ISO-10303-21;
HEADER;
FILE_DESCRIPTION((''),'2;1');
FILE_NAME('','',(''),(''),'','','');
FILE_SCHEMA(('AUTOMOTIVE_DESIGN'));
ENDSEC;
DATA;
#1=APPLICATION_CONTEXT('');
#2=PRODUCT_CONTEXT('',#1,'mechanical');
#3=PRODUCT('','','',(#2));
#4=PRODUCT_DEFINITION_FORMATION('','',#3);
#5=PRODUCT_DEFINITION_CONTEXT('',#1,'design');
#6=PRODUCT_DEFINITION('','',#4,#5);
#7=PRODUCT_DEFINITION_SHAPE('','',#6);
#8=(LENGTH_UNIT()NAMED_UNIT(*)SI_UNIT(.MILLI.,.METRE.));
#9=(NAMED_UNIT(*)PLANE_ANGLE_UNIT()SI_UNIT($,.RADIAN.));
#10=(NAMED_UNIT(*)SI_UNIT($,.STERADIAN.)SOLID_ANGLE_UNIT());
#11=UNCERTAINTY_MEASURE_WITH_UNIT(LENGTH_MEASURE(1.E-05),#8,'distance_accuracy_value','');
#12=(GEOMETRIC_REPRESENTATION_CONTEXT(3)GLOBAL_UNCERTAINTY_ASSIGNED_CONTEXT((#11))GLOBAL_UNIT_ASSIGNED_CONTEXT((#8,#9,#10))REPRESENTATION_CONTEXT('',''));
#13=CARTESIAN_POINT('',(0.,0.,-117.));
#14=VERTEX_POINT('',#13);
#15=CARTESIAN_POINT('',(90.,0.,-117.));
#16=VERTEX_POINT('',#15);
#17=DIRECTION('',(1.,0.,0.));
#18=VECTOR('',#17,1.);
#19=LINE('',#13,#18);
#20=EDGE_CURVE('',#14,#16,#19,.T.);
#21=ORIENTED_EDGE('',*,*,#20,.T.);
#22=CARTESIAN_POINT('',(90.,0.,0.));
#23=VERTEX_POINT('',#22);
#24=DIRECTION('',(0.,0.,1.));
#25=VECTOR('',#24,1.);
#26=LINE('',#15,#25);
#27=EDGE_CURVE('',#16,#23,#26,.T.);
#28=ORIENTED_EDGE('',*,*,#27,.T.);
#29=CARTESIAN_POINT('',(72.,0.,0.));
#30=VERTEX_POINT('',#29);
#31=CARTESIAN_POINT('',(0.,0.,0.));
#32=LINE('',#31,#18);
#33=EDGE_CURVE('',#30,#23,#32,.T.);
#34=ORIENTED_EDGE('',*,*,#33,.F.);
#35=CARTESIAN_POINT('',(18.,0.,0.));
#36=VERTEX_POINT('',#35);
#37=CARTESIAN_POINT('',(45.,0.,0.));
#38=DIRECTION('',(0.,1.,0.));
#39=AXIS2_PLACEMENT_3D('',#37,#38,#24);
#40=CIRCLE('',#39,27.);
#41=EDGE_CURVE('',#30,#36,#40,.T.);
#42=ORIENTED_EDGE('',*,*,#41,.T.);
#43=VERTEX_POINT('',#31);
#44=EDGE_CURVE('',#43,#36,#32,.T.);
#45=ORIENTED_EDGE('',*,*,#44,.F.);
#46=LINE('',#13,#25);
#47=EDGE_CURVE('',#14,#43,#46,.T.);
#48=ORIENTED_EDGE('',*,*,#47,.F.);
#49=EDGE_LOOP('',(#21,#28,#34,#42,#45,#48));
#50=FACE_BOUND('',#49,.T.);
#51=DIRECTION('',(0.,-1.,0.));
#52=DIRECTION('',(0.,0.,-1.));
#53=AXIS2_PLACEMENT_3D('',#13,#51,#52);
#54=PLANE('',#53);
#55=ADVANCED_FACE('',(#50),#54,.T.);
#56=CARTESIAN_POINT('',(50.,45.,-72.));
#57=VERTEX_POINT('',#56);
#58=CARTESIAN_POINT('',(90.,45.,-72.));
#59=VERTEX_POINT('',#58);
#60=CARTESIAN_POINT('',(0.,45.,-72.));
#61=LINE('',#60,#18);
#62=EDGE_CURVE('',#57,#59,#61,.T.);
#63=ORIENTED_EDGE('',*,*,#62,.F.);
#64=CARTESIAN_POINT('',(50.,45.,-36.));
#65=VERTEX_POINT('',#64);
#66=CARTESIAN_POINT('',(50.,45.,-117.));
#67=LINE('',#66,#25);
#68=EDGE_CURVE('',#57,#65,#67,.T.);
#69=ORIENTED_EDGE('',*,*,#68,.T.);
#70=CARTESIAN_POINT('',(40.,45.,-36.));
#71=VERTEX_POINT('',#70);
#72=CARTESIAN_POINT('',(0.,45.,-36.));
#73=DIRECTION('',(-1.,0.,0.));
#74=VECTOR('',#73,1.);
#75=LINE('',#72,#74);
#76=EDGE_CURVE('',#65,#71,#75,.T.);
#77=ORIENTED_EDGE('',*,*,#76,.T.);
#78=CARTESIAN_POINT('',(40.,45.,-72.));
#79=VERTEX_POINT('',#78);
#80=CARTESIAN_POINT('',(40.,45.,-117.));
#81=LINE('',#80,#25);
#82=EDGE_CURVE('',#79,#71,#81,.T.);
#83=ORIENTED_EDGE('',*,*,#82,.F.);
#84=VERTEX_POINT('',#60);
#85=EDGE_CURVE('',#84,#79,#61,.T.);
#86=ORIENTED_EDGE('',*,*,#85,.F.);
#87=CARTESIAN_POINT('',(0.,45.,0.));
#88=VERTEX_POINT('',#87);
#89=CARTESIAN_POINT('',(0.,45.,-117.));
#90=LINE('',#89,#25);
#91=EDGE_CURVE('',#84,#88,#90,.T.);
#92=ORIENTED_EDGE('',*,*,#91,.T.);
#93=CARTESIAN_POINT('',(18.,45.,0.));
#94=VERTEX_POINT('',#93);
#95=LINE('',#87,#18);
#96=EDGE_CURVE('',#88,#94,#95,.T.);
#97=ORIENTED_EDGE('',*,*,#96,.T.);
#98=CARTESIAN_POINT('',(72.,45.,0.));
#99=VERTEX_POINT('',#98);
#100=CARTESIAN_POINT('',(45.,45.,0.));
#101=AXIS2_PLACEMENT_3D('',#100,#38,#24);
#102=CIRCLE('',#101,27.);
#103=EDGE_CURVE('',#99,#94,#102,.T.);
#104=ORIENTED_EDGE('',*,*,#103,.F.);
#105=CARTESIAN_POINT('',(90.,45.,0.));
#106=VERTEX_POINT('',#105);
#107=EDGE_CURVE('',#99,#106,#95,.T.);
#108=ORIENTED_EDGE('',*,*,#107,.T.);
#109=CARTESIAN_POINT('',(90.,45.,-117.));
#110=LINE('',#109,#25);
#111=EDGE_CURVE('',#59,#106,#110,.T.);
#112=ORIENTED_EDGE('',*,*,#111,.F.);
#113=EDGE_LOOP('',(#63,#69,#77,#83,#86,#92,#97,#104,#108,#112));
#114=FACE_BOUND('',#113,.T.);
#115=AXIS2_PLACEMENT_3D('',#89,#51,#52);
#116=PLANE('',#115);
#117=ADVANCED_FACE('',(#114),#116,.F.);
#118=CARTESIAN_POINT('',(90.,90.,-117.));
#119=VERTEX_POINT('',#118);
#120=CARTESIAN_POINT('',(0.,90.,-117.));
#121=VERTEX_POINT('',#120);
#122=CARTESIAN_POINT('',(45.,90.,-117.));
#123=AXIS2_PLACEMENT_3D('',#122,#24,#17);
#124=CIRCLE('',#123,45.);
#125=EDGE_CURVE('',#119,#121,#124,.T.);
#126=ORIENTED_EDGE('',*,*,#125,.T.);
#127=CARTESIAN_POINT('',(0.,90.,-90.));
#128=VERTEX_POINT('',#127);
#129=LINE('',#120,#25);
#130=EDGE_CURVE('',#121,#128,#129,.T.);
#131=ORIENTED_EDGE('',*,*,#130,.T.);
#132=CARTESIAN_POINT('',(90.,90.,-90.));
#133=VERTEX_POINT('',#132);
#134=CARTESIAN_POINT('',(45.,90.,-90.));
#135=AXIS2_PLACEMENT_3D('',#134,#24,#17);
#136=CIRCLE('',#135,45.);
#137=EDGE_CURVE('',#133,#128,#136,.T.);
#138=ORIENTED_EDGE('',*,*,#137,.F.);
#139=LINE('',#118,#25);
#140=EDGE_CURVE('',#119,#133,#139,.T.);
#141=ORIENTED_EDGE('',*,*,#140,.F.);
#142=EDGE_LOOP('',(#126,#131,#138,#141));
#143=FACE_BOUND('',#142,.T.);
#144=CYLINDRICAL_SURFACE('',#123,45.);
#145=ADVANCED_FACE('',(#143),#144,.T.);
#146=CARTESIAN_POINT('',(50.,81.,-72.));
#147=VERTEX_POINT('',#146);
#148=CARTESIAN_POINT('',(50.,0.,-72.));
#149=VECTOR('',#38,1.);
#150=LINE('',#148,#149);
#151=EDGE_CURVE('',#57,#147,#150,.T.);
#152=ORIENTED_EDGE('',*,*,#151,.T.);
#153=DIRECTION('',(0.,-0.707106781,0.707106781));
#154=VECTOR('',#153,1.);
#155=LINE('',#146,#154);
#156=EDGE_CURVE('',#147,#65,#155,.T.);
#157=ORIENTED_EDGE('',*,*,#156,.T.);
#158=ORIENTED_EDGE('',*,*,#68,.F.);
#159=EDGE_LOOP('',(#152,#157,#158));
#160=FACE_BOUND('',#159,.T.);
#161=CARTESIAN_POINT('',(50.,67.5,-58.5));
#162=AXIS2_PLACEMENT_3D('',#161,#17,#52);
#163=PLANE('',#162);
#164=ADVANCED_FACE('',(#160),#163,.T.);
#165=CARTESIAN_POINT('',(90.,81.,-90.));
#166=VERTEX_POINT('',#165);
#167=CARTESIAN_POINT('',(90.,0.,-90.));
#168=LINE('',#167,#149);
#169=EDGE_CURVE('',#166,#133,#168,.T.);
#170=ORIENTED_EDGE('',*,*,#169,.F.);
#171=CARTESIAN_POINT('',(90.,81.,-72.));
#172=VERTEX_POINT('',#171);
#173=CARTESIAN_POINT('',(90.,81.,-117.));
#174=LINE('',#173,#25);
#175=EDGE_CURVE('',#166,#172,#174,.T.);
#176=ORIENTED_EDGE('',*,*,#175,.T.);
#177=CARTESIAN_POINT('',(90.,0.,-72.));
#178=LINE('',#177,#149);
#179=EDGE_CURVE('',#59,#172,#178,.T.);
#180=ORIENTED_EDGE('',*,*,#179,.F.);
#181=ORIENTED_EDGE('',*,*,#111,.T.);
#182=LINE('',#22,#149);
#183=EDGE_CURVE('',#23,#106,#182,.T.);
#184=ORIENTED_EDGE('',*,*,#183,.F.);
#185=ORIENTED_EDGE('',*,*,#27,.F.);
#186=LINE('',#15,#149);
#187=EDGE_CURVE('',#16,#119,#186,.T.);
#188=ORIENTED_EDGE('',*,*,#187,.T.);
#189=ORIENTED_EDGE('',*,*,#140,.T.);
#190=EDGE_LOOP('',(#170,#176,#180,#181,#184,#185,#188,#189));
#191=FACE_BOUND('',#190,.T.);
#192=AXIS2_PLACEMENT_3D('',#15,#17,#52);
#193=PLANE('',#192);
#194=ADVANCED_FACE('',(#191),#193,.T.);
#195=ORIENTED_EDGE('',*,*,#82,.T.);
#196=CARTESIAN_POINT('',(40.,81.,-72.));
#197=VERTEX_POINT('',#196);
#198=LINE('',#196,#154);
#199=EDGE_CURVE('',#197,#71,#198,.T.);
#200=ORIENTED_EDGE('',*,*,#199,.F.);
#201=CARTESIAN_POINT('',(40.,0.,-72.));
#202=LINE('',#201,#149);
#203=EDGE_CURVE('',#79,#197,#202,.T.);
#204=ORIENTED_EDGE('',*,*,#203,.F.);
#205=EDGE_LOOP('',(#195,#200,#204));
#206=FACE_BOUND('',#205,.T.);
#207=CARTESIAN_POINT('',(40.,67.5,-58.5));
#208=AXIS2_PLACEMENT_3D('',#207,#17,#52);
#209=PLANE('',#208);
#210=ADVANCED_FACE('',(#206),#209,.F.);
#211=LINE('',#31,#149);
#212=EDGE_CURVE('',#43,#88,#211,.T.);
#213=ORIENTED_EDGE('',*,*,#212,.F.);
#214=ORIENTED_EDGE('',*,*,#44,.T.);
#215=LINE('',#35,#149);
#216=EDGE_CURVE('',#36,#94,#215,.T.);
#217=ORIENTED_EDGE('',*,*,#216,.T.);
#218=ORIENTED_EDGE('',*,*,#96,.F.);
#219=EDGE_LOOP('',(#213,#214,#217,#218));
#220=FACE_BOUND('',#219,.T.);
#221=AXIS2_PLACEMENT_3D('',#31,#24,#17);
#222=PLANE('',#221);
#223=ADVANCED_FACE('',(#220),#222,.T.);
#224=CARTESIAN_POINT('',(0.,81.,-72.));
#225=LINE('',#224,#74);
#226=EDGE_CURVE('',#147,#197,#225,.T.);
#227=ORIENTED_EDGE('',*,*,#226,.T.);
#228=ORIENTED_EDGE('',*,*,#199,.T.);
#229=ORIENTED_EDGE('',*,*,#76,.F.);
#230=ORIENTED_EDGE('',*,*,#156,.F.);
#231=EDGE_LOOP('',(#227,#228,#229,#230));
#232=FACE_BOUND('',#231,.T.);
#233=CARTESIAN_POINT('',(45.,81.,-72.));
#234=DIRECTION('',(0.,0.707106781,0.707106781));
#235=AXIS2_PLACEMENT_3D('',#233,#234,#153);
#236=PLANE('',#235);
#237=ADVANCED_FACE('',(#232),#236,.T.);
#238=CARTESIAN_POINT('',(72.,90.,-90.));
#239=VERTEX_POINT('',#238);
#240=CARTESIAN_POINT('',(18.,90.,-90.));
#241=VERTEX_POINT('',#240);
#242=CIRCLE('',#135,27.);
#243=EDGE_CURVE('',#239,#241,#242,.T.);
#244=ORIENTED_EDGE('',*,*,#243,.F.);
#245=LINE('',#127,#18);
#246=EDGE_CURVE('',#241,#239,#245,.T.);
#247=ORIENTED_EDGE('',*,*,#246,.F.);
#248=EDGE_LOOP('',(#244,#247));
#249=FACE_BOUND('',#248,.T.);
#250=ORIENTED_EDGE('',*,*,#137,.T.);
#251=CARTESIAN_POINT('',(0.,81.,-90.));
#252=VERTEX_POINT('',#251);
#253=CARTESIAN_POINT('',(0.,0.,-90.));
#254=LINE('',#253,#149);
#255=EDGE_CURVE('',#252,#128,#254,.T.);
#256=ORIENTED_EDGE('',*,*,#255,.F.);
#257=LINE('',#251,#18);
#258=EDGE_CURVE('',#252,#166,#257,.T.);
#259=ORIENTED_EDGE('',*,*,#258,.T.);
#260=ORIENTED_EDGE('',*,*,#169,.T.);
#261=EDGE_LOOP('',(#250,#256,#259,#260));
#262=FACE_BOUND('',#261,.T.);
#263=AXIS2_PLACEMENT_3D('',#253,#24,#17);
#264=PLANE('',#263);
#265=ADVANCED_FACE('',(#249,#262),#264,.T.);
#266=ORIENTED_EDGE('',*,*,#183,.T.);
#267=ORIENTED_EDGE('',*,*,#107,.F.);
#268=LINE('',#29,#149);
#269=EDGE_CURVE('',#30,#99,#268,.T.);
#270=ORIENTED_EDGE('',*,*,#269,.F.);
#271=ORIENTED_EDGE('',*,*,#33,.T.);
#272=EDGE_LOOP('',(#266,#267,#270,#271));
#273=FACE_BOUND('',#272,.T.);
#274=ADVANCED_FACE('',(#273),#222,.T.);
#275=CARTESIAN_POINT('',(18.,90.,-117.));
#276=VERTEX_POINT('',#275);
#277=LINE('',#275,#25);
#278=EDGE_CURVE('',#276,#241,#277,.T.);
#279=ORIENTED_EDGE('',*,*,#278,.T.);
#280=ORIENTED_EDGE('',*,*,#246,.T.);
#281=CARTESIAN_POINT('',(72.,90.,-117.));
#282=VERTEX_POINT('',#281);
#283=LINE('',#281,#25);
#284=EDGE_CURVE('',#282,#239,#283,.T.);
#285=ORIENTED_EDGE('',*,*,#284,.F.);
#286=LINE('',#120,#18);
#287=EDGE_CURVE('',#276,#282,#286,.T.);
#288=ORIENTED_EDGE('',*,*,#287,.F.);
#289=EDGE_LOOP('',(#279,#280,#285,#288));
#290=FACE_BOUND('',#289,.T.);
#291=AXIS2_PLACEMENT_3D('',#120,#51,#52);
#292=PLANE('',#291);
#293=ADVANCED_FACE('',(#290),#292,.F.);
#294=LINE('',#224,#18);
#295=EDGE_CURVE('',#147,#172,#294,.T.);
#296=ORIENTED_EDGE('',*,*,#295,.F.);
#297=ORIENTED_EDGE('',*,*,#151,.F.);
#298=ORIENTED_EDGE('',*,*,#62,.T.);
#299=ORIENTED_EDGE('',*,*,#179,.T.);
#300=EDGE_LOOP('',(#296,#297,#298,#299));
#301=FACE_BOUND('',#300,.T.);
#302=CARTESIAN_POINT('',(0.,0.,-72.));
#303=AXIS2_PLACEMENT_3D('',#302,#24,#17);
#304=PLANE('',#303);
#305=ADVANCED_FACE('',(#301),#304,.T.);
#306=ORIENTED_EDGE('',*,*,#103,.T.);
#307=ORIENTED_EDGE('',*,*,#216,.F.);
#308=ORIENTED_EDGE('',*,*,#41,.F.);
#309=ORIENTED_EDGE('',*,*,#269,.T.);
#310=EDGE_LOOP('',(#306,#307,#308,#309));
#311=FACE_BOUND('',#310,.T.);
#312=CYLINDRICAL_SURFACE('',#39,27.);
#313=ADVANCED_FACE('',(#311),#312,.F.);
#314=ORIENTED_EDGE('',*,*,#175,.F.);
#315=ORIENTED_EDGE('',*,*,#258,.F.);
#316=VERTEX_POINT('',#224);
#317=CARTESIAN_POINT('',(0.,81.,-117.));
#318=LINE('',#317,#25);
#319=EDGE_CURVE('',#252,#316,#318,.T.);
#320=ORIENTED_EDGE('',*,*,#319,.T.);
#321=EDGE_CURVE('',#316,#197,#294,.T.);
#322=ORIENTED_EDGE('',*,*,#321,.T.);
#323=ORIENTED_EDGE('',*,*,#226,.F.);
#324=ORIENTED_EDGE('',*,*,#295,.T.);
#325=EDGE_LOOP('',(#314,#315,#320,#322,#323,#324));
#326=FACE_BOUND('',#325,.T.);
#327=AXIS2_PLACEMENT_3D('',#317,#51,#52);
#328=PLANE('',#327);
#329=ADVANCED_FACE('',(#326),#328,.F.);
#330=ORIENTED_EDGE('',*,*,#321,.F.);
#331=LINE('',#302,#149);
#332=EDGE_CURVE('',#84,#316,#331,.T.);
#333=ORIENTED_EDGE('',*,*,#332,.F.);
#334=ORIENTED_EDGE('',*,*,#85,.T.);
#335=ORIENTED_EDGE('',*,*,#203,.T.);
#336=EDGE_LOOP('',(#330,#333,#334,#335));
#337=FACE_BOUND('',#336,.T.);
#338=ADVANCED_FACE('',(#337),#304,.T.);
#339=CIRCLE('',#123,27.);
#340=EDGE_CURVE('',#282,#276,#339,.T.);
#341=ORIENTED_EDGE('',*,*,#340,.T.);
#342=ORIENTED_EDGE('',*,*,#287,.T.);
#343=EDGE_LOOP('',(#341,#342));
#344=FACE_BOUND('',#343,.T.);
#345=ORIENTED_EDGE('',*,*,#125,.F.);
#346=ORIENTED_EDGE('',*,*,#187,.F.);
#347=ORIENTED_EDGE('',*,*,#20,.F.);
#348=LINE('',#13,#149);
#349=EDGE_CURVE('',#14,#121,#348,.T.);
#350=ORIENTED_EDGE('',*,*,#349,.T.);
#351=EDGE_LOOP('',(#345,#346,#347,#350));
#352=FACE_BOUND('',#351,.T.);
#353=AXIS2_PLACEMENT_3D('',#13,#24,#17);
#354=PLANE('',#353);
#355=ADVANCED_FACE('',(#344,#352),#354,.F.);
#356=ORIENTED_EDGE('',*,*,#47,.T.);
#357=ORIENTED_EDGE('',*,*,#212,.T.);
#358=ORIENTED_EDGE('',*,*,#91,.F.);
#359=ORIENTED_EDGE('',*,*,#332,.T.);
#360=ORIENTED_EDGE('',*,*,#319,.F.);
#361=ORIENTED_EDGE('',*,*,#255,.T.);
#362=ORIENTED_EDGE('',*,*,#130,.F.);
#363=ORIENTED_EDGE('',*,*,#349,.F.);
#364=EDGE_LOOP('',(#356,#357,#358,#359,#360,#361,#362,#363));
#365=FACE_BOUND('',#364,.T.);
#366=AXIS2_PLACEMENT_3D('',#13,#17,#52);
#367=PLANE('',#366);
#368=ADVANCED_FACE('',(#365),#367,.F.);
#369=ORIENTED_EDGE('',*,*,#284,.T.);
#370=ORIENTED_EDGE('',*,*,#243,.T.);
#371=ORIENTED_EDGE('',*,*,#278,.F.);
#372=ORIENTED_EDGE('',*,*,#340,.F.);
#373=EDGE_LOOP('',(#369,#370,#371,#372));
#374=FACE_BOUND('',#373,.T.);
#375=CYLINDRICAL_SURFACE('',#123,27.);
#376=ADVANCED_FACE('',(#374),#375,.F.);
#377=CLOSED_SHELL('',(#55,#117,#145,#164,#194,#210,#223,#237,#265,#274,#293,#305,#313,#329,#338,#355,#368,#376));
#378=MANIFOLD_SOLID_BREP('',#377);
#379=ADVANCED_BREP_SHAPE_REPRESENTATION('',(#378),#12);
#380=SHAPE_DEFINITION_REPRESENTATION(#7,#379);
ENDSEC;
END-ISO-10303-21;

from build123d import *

# Parameters (mm, degrees)
BOSS_EXTRUDE1_DEPTH = 117
BOSS_EXTRUDE2_START = -72
BOSS_EXTRUDE2_DEPTH = 45
BOSS_EXTRUDE4_START = -90
BOSS_EXTRUDE4_DEPTH = 27
BOSS_EXTRUDE5_START = -90
BOSS_EXTRUDE5_DEPTH = 27
CUT_EXTRUDE1_DEPTH  = 173.884354411
RIB4_REACH          = 186.225
SKETCH5_WALL_W      = 421.362499074
SKETCH5_WALL_H      = 10


with BuildPart() as part:
    # Sketch1 → Boss-Extrude1 (new body)
    with BuildSketch(Plane.XY):
        Polygon((0, 45), (0, 0), (90, 0), (90, 45), (68.497865987, 45), align=None)
    extrude(amount=-BOSS_EXTRUDE1_DEPTH)

    # Sketch1<3> → Boss-Extrude2 (add)
    with BuildSketch(Plane.XY.offset(BOSS_EXTRUDE2_START)):
        Polygon((0, 81), (0, 45), (68.497865987, 45), (90, 45), (90, 81), align=None)
    extrude(amount=-BOSS_EXTRUDE2_DEPTH)

    # Sketch1<5> → Boss-Extrude4 (add)
    with BuildSketch(Plane.XY.offset(BOSS_EXTRUDE4_START)):
        Polygon((0, 90), (0, 81), (90, 81), (90, 90), (72, 90), (18, 90), align=None)
    extrude(amount=-BOSS_EXTRUDE4_DEPTH)

    # Sketch1<6> → Boss-Extrude5 (add)
    with BuildSketch(Plane.XY.offset(BOSS_EXTRUDE5_START)):
        with BuildLine():
            ThreePointArc((90, 90), (45, 135), (0, 90))
            Line((0, 90), (18, 90))
            ThreePointArc((18, 90), (45, 117), (72, 90))
            Line((72, 90), (90, 90))
        make_face()
    extrude(amount=-BOSS_EXTRUDE5_DEPTH)

    # Sketch2 → Cut-Extrude1 (cut, through all)
    with BuildSketch(Plane(origin=(0, 45, 0), x_dir=(1, 0, 0), z_dir=(0, 1, 0))):
        with BuildLine():
            Line((18, 0), (72, 0))
            ThreePointArc((72, 0), (45, 27), (18, 0))
        make_face()
    extrude(amount=-CUT_EXTRUDE1_DEPTH, mode=Mode.SUBTRACT)

    # Sketch5 wall → Rib4 (add, up to next)
    with BuildSketch(Plane(origin=(45, 63, -54), x_dir=(0, -0.707106781187, 0.707106781187), z_dir=(0, -0.707106781187, -0.707106781187)), mode=Mode.PRIVATE) as rib4_sk1:
        Rectangle(SKETCH5_WALL_W, SKETCH5_WALL_H)
    rib4_tool1 = extrude(rib4_sk1.sketch, amount=RIB4_REACH, mode=Mode.PRIVATE) - part.part
    add(rib4_tool1.solids().sort_by_distance((45, 63, -54))[0])


solid = part.part
